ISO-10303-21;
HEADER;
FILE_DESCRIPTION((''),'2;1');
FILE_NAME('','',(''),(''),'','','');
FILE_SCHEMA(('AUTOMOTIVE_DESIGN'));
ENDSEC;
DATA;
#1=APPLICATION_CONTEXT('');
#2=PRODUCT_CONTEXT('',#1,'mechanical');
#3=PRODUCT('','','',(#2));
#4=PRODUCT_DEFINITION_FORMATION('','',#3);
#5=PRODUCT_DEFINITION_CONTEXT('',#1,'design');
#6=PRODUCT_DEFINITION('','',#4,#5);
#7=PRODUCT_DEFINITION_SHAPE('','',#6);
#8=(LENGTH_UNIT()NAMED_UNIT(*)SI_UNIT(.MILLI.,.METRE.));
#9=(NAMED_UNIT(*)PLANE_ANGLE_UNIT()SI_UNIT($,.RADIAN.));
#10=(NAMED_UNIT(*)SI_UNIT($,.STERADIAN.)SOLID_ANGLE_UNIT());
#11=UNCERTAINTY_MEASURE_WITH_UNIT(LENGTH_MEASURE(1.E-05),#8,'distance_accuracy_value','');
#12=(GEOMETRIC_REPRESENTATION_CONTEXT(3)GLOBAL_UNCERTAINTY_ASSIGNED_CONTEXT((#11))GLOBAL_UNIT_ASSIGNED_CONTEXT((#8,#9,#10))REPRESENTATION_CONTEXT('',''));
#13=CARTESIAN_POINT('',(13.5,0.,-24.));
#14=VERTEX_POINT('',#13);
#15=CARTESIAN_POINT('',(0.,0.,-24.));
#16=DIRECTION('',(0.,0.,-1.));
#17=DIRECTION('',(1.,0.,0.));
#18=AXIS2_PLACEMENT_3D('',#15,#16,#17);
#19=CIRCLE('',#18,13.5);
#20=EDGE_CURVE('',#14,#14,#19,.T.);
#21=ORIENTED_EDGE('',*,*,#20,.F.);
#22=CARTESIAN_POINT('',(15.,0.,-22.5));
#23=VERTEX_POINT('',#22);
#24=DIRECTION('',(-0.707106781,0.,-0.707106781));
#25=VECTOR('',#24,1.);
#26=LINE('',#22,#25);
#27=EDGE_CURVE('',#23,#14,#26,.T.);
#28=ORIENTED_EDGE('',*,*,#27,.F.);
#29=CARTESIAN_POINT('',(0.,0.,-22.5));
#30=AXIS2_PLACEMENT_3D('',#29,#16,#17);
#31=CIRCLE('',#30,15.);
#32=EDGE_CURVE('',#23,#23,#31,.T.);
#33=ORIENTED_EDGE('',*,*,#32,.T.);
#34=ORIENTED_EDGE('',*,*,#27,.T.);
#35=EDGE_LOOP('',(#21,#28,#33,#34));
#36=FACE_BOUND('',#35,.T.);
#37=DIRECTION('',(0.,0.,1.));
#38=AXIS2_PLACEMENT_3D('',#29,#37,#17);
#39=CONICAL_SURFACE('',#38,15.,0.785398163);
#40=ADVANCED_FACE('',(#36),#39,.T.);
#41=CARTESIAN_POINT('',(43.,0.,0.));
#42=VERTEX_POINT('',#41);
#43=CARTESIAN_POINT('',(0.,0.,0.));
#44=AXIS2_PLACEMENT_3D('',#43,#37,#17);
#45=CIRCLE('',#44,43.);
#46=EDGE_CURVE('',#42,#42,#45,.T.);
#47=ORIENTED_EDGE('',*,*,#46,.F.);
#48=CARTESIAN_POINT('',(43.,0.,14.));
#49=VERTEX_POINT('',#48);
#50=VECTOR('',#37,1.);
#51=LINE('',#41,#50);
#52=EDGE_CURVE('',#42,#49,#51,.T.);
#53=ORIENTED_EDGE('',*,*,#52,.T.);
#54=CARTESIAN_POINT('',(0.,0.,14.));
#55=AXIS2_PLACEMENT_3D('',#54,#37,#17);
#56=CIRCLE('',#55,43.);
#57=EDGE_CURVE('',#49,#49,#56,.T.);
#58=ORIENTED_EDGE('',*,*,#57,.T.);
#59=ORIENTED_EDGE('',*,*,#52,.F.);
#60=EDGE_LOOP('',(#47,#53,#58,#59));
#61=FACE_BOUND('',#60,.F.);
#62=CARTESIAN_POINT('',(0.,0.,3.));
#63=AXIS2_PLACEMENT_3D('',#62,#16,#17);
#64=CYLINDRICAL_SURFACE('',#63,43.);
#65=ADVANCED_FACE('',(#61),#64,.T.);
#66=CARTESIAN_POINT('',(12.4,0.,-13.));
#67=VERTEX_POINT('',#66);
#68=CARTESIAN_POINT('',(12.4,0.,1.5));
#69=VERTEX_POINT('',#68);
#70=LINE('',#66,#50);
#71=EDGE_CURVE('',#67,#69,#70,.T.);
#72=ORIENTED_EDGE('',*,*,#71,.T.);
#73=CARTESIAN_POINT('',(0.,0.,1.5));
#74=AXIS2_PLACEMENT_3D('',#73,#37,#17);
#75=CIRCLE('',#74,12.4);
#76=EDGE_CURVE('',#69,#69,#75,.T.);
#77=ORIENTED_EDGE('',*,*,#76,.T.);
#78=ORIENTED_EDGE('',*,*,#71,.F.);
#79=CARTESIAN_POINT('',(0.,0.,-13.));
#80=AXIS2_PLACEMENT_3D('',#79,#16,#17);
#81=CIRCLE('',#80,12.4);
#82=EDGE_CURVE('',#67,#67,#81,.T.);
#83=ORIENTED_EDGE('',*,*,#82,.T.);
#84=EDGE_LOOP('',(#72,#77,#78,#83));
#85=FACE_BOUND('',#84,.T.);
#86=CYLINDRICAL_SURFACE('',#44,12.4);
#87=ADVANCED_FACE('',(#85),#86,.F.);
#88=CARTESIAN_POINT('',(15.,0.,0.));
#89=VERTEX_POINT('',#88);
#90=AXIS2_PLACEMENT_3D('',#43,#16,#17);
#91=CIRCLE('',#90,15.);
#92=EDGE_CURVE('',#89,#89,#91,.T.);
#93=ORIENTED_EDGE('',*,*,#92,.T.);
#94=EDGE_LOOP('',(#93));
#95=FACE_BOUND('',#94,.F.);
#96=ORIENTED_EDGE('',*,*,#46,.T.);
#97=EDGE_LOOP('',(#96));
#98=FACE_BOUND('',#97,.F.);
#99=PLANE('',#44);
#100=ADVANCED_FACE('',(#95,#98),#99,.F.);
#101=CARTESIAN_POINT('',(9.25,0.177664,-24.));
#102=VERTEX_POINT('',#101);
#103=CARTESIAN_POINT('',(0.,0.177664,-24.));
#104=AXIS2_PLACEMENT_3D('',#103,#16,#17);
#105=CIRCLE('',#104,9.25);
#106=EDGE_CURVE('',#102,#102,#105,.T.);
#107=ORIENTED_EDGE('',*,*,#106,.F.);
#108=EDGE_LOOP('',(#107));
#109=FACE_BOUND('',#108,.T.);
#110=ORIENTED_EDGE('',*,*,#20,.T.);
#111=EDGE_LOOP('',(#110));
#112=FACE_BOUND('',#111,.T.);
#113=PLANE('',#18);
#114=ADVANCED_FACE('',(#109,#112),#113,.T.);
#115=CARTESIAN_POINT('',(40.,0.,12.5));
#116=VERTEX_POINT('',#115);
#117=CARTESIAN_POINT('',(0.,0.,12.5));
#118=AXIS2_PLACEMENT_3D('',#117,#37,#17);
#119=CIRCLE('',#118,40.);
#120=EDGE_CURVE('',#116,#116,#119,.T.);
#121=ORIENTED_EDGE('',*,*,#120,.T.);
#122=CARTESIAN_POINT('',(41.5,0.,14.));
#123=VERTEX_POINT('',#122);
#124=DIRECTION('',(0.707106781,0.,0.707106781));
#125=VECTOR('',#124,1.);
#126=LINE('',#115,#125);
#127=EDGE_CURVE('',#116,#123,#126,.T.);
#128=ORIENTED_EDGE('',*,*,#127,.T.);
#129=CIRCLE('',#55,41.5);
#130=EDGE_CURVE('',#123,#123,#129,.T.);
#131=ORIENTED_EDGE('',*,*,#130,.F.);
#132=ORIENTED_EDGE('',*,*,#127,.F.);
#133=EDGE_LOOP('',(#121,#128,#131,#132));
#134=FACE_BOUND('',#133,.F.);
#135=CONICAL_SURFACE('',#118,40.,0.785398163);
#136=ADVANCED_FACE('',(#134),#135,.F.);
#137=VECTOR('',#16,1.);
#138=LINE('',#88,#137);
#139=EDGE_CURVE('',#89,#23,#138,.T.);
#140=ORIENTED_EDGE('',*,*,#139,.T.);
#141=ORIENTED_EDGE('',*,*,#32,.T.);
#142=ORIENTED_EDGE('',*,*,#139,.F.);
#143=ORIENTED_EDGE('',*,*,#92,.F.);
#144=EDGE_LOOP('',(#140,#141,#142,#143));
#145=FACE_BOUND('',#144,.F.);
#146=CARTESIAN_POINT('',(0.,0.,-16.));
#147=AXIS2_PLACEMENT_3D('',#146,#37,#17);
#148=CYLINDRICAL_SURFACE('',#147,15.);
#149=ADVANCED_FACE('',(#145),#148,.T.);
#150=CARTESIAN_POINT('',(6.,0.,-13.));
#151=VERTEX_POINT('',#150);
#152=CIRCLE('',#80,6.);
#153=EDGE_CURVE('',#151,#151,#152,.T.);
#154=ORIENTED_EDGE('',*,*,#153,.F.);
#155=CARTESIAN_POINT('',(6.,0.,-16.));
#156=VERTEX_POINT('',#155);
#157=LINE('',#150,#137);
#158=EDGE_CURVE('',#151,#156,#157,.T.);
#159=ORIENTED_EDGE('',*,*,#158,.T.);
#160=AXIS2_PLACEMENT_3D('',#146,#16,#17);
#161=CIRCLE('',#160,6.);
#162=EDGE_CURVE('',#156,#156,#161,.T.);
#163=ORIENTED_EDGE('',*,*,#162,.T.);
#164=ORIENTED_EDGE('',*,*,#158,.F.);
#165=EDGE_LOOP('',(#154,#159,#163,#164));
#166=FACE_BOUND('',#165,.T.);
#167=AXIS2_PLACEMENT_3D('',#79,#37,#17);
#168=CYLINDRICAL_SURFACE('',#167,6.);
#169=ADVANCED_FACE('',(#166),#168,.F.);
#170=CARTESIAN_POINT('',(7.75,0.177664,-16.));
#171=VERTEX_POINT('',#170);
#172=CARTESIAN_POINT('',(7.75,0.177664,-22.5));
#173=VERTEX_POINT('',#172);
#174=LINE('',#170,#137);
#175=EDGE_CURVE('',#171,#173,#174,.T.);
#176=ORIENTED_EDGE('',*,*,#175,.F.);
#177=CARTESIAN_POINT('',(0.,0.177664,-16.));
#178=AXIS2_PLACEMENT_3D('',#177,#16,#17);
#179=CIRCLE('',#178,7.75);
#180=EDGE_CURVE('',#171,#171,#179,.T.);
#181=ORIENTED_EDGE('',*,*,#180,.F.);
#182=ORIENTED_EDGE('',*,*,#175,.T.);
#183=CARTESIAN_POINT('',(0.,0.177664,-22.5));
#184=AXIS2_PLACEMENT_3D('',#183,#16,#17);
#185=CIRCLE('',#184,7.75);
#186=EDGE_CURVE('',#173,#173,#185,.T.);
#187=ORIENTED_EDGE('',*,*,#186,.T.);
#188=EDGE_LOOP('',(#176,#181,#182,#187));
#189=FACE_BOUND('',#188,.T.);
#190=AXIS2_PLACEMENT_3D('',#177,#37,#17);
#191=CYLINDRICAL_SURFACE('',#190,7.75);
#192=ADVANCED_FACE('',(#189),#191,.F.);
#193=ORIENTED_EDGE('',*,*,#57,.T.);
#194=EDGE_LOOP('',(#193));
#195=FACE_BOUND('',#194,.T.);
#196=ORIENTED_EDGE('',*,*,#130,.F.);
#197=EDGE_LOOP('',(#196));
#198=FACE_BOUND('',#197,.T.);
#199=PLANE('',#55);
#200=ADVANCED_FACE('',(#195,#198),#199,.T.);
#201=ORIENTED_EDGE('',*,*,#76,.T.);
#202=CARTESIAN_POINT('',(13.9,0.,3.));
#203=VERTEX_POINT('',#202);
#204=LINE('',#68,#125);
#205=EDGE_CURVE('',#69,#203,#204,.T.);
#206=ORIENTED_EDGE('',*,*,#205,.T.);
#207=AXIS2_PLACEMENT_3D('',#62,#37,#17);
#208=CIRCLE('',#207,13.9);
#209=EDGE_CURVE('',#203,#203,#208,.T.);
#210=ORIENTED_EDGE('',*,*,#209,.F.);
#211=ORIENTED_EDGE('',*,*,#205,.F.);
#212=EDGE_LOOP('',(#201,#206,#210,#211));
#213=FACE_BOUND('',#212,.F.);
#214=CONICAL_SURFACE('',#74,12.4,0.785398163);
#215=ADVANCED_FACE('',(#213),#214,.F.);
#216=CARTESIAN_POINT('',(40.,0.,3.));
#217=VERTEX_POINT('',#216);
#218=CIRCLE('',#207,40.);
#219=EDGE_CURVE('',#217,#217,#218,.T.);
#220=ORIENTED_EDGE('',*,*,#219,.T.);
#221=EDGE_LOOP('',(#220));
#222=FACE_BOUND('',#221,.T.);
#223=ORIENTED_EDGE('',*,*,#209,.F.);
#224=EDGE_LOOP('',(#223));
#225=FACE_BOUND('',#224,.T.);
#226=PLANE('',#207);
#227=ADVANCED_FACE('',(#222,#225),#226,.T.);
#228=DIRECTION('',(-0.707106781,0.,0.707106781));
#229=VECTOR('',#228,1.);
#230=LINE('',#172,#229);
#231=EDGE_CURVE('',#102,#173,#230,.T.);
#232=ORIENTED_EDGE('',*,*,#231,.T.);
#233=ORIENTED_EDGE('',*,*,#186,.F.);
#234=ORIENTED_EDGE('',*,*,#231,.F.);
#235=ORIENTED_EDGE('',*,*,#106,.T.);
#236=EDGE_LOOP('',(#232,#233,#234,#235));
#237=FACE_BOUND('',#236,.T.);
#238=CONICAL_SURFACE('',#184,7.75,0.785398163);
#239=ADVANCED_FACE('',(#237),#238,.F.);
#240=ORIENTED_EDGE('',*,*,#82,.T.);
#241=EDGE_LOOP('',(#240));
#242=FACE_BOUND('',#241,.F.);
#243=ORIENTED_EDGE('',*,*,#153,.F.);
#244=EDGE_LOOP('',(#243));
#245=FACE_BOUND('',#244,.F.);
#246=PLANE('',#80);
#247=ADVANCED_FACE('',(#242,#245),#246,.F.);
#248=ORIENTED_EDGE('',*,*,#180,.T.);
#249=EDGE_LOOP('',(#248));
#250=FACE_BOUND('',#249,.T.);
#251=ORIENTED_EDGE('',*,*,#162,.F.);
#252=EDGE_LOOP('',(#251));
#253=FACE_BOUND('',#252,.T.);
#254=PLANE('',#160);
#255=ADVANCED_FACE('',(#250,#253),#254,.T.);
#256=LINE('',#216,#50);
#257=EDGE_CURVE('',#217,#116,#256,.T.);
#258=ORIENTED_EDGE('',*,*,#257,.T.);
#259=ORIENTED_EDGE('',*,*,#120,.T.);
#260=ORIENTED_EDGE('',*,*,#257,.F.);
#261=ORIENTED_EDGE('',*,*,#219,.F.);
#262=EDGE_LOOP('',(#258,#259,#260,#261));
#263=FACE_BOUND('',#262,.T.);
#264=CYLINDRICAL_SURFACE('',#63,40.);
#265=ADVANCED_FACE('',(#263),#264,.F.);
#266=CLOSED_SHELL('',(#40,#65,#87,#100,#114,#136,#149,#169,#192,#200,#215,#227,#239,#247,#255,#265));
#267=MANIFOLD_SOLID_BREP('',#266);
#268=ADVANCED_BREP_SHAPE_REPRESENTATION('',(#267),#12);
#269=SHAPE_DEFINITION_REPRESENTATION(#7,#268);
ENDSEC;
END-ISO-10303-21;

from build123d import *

# Parameters (mm, degrees)
SKETCH_R        = 43
PAD_DEPTH       = 3
SKETCH001_R     = 43
SKETCH001_R_2   = 40
PAD001_DEPTH    = 11
SKETCH002_R     = 12.4
POCKET_DEPTH    = 5
SKETCH003_R     = 15
SKETCH003_R_2   = 12.4
PAD002_DEPTH    = 13
SKETCH004_R     = 15
SKETCH004_R_2   = 6
PAD003_DEPTH    = 3
SKETCH005_R     = 15
SKETCH005_R_2   = 7.75
PAD004_DEPTH    = 8
CHAMFER_SIZE    = 1.5
CHAMFER001_SIZE = 1.5
CHAMFER002_SIZE = 1.5
CHAMFER003_SIZE = 1.5


with BuildPart() as part:
    # Sketch → Pad (new body)
    with BuildSketch(Plane.XY):
        Circle(SKETCH_R)
    extrude(amount=PAD_DEPTH)

    # Sketch001 (on Face3 of Pad) → Pad001 (join)
    with BuildSketch(Plane.XY.offset(3)):
        Circle(SKETCH001_R)
        Circle(SKETCH001_R_2, mode=Mode.SUBTRACT)
    extrude(amount=PAD001_DEPTH)

    # Sketch002 (on Face6 of Pad001) → Pocket (cut)
    with BuildSketch(Plane.XY.offset(3)):
        Circle(SKETCH002_R)
    extrude(amount=-POCKET_DEPTH, mode=Mode.SUBTRACT)

    # Sketch003 (on Face2 of Pocket) → Pad002 (join)
    with BuildSketch(Plane(origin=(0, 0, 0), x_dir=(1, 0, 0), z_dir=(0, 0, -1))):
        Circle(SKETCH003_R)
        Circle(SKETCH003_R_2, mode=Mode.SUBTRACT)
    extrude(amount=PAD002_DEPTH)

    # Sketch004 (on Face6 of Pad002) → Pad003 (join)
    with BuildSketch(Plane(origin=(0, 0, -13), x_dir=(1, 0, 0), z_dir=(0, 0, -1))):
        Circle(SKETCH004_R)
        Circle(SKETCH004_R_2, mode=Mode.SUBTRACT)
    extrude(amount=PAD003_DEPTH)

    # Sketch005 (on Face8 of Pad003) → Pad004 (join)
    with BuildSketch(Plane(origin=(0, 0, -16), x_dir=(1, 0, 0), z_dir=(0, 0, -1))):
        Circle(SKETCH005_R)
        with Locations((0, -0.177664)):
            Circle(SKETCH005_R_2, mode=Mode.SUBTRACT)
    extrude(amount=PAD004_DEPTH)

    # Chamfer
    chamfer_edges = [part.edges().sort_by_distance(p)[0] for p in [
        (-15, 0, -24),
    ]]
    chamfer(chamfer_edges, length=CHAMFER_SIZE)

    # Chamfer001
    chamfer001_edges = [part.edges().sort_by_distance(p)[0] for p in [
        (-7.75, 0.177664, -24),
    ]]
    chamfer(chamfer001_edges, length=CHAMFER001_SIZE)

    # Chamfer002
    chamfer002_edges = [part.edges().sort_by_distance(p)[0] for p in [
        (-12.4, 0, 3),
    ]]
    chamfer(chamfer002_edges, length=CHAMFER002_SIZE)

    # Chamfer003
    chamfer003_edges = [part.edges().sort_by_distance(p)[0] for p in [
        (-40, 0, 14),
    ]]
    chamfer(chamfer003_edges, length=CHAMFER003_SIZE)


solid = part.part
